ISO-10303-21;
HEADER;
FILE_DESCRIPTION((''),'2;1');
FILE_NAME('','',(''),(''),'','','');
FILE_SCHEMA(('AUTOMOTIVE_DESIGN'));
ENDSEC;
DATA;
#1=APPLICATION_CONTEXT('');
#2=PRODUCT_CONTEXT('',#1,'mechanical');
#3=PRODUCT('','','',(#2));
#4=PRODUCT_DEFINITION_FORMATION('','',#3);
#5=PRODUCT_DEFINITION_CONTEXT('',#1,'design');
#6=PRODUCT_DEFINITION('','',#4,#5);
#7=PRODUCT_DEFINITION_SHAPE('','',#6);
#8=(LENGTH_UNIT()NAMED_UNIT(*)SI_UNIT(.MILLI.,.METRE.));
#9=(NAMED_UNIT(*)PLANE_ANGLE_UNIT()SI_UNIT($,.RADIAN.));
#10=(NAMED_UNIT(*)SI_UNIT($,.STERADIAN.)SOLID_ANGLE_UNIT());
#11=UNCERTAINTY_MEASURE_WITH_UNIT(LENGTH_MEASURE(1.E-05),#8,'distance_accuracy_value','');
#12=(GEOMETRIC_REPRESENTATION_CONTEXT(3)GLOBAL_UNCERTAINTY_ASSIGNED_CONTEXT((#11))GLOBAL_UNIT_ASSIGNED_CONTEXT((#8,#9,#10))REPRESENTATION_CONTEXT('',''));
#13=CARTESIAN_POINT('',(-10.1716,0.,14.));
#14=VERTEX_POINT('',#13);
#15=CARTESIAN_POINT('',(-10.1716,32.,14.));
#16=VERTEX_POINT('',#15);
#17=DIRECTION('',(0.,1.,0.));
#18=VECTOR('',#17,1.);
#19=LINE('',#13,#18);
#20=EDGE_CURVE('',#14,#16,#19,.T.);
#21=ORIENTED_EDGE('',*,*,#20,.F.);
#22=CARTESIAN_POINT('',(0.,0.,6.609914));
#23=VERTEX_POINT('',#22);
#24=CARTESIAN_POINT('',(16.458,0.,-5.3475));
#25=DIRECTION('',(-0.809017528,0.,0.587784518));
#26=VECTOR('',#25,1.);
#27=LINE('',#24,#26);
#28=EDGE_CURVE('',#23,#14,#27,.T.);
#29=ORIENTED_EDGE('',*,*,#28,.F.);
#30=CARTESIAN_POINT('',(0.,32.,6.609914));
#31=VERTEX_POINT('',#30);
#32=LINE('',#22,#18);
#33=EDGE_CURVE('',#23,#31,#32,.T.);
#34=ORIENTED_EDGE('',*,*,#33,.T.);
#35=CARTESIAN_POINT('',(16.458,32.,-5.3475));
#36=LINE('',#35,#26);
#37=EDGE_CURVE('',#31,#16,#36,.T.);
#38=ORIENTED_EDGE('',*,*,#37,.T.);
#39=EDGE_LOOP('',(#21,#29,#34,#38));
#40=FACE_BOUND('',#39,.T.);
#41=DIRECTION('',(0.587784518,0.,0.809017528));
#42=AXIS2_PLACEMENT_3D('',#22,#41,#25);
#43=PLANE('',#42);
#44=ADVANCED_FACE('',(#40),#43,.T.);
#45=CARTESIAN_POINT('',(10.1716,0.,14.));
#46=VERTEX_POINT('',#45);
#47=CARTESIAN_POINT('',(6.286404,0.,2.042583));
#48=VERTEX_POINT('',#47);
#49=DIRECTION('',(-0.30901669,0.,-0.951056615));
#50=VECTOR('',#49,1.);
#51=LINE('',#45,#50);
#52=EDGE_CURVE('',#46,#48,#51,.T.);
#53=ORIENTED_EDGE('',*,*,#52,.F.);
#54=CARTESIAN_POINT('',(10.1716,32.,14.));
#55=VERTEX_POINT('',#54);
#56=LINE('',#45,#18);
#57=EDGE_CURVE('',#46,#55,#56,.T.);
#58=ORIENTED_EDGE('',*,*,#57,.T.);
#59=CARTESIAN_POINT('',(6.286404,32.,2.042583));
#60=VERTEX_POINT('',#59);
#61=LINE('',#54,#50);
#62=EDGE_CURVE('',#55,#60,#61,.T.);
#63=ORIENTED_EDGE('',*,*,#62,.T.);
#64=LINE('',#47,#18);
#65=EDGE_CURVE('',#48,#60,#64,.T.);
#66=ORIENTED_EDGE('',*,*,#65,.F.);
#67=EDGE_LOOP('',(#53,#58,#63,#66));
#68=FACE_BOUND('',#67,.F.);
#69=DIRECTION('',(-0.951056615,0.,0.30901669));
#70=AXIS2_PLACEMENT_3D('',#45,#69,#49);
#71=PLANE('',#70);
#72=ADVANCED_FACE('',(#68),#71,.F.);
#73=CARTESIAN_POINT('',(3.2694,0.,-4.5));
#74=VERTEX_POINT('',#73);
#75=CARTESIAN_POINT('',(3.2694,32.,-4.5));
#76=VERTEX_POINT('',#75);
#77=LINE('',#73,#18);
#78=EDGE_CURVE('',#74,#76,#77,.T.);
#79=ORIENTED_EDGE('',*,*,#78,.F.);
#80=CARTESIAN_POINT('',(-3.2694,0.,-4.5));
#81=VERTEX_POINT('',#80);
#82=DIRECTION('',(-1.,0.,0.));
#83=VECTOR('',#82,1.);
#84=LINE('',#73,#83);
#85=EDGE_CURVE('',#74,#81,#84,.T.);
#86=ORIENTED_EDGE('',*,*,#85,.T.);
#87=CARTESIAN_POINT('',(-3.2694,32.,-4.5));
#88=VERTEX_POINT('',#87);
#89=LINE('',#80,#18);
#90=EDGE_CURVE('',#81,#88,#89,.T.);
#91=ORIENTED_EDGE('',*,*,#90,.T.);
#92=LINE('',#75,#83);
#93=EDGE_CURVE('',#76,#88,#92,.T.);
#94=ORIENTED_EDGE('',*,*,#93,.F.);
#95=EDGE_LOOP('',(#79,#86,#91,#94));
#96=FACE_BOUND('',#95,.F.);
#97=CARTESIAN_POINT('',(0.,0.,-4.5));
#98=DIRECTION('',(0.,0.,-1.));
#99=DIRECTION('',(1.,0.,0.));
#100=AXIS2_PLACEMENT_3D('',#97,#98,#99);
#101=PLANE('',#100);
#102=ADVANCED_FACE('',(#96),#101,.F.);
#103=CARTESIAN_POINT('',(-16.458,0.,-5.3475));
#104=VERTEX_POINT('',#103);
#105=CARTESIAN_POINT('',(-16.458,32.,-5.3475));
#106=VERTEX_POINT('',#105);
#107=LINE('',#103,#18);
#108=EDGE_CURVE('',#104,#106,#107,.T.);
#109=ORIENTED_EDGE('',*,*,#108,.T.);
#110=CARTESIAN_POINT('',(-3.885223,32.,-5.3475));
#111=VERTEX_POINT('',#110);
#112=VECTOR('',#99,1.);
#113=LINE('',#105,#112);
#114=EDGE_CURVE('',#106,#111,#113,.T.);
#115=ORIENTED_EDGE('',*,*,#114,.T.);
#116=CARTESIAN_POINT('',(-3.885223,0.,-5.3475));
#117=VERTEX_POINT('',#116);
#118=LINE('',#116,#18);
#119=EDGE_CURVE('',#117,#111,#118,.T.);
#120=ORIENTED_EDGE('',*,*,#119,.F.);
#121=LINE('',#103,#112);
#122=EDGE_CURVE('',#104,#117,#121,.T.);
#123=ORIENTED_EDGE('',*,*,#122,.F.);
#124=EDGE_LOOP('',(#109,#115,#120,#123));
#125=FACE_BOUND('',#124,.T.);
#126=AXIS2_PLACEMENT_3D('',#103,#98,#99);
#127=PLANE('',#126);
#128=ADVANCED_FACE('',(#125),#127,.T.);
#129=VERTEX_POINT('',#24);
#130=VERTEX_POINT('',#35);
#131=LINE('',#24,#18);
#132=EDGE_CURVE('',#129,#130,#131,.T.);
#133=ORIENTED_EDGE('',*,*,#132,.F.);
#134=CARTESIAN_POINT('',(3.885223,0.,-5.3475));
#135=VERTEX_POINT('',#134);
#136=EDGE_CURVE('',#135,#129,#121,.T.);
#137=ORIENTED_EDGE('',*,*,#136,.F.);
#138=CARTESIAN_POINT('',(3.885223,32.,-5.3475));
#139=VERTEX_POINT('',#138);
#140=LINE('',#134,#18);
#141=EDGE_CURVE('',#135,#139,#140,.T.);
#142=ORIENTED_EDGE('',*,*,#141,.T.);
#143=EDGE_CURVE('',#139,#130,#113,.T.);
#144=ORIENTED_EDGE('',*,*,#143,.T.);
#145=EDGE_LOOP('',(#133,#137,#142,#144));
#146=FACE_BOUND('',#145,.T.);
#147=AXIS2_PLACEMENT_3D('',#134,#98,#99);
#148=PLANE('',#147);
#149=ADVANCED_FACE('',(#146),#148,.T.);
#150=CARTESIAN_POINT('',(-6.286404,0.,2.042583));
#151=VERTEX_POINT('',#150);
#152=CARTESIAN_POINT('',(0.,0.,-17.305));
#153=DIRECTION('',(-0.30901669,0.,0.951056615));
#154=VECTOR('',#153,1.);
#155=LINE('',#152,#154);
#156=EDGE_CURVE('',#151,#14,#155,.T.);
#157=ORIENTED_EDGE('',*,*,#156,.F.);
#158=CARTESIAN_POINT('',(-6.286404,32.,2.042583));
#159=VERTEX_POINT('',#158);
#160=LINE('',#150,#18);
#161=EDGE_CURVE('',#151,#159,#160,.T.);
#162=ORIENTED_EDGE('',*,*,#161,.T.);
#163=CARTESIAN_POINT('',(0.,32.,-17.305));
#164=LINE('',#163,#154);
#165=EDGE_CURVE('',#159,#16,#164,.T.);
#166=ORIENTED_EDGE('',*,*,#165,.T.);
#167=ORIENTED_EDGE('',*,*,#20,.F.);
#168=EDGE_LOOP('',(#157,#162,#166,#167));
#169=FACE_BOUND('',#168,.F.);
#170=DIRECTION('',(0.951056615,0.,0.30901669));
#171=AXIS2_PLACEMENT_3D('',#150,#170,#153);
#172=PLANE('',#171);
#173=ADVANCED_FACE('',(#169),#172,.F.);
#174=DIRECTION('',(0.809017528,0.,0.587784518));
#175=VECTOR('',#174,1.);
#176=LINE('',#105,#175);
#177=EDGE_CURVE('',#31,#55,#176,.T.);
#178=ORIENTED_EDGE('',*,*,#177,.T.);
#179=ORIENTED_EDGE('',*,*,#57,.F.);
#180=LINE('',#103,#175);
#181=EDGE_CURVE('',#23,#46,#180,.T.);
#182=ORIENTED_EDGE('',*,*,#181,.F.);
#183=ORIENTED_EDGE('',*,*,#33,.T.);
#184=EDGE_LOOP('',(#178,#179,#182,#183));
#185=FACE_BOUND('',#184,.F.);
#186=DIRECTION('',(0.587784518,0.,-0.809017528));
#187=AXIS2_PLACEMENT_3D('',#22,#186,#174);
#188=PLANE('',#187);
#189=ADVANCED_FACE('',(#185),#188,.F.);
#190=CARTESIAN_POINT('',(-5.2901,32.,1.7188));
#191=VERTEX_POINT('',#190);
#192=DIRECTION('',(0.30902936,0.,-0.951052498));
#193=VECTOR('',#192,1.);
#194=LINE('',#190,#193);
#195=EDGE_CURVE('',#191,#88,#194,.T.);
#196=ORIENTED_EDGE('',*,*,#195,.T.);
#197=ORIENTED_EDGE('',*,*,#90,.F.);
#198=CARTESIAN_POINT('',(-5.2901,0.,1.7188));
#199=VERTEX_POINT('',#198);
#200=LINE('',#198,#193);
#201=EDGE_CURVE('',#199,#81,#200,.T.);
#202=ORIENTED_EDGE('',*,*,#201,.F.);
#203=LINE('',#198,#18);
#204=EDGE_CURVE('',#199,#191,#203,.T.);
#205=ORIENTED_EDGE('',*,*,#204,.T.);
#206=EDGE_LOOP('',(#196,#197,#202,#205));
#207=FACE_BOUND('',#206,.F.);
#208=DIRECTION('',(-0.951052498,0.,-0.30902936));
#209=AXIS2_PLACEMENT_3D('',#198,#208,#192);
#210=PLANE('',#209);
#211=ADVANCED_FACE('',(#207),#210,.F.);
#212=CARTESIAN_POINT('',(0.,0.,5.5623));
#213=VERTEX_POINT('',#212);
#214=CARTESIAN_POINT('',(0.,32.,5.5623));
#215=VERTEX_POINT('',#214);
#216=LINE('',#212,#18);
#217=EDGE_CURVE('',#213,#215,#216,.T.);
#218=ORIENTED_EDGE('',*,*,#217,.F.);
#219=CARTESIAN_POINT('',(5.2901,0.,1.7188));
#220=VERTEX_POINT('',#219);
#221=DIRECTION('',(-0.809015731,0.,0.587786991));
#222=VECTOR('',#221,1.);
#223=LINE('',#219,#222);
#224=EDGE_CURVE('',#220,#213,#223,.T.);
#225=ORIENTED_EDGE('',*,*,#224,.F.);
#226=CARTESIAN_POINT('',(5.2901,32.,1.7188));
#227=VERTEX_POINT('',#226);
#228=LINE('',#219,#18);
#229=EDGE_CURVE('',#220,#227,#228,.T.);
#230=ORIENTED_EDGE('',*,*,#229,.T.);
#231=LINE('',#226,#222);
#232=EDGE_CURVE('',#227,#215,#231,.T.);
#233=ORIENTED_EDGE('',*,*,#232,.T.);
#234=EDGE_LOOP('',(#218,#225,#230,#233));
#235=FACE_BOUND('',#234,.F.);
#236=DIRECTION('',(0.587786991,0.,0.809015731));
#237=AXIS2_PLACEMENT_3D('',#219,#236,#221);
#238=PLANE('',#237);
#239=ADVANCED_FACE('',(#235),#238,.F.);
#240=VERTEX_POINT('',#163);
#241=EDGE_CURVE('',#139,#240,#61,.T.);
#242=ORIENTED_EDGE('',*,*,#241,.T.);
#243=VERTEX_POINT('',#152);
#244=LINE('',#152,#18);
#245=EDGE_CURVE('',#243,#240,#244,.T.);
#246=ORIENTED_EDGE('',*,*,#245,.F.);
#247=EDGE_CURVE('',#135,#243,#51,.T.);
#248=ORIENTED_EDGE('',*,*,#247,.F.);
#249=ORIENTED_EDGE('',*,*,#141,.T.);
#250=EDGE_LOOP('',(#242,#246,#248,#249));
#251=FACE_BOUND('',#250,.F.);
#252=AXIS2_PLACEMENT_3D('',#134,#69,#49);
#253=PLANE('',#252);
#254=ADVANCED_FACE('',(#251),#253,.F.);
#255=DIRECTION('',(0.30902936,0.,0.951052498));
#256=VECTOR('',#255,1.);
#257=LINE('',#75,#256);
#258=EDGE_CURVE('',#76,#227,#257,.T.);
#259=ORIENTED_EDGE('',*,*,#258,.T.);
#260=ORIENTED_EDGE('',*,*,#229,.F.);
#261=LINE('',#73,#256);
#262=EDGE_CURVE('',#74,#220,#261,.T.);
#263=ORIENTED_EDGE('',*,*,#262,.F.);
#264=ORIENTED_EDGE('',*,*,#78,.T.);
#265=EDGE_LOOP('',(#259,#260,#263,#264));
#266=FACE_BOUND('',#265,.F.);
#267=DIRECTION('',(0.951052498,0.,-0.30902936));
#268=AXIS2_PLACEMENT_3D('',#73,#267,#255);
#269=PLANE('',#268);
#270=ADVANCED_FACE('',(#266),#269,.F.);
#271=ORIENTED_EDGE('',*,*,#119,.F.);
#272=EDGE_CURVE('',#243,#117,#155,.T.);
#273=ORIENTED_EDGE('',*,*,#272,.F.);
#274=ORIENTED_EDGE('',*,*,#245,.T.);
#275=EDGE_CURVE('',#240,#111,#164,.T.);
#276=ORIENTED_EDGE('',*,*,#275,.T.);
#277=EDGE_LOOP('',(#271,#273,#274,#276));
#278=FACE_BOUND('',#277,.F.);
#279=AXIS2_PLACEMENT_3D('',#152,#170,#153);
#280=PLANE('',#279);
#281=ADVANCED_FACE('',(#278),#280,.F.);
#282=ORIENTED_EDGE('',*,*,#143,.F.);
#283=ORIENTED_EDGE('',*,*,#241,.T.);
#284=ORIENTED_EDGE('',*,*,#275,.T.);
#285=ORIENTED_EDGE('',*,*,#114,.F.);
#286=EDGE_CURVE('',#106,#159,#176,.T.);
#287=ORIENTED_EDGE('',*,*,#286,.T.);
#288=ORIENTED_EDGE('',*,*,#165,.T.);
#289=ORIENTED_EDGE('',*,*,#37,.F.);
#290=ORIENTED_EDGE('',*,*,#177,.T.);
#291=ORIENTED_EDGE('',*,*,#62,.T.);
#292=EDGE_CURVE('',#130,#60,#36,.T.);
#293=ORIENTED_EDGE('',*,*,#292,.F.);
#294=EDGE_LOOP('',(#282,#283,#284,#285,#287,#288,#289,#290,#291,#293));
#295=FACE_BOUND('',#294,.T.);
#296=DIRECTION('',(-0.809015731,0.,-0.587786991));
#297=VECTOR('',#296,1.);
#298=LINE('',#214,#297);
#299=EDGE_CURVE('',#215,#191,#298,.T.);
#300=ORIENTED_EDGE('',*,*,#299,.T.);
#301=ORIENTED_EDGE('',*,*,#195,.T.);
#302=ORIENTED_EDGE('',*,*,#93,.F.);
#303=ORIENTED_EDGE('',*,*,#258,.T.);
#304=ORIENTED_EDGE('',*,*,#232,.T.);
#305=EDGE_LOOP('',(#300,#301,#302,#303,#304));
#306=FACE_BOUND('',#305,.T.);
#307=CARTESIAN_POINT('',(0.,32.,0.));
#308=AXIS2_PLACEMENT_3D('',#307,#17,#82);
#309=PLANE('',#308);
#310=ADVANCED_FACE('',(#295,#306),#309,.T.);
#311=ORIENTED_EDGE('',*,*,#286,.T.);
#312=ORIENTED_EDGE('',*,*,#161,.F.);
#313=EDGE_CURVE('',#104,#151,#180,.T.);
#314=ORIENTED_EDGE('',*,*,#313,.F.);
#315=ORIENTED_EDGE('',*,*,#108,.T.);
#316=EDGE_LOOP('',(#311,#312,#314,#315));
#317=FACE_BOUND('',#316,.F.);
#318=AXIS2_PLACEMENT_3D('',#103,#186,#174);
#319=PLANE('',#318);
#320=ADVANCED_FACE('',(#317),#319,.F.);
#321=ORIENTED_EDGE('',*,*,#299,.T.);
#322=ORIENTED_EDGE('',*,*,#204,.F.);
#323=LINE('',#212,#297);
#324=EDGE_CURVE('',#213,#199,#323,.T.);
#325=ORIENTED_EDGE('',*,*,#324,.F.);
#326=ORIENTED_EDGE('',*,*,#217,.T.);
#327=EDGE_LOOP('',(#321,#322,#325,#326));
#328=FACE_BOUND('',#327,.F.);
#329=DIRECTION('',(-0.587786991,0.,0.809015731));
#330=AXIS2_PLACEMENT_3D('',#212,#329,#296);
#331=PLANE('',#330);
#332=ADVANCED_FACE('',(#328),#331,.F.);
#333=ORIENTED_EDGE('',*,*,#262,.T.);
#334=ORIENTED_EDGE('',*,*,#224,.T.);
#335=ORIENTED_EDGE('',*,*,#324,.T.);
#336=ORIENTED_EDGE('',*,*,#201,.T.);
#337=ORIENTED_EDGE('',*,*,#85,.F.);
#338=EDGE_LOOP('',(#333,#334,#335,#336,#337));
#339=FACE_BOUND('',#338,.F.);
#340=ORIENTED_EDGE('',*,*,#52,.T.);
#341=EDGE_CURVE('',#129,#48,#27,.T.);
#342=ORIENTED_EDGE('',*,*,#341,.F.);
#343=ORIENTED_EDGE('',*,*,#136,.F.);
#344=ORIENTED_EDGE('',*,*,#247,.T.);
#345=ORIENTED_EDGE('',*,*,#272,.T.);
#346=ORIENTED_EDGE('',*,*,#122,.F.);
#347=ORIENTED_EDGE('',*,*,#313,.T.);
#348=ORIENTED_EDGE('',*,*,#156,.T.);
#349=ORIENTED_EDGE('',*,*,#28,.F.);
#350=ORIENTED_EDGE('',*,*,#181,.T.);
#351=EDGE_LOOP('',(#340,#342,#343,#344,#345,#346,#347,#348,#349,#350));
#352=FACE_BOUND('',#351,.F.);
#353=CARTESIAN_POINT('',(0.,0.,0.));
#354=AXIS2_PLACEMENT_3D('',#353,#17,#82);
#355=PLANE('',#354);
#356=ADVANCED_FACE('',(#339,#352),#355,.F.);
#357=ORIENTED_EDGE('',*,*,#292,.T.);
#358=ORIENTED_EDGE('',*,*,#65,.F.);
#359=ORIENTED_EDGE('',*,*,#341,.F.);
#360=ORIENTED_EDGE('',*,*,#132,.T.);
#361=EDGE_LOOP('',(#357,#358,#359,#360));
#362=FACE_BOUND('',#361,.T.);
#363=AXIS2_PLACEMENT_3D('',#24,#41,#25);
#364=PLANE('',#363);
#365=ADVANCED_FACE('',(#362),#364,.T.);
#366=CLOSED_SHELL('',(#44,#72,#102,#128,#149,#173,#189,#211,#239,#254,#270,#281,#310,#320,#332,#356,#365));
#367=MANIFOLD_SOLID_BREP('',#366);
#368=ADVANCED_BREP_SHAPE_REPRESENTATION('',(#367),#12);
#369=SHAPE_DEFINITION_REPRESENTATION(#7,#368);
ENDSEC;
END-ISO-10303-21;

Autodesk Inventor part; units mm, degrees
ref_plane "YZ Plane" through (0, 0, 0) normal (1, 0, 0) x (0, 1, 0)
ref_plane "XZ Plane" through (0, 0, 0) normal (0, 1, 0) x (-1, 0, 0)
ref_plane "XY Plane" through (0, 0, 0) normal (0, 0, 1) x (1, 0, 0)
sketch "Sketch1" plane through (0, 0, 0) normal (0, 1, 0) x (-1, 0, 0)
  line L0 (0, 0) -> (0, 14)
  line L1 (10.1716, 14) -> (16.458, -5.3475)
  line L2 (16.458, -5.3475) -> (0, -17.305)
  line L3 (0, -17.305) -> (-16.458, -5.3475)
  line L4 (-16.458, -5.3475) -> (-10.1716, 14)
  line L5 (-10.1716, 14) -> (10.1716, 14)
  line L6 (0, -17.305) -> (10.1716, 14)
  line L7 (-10.1716, 14) -> (0, -17.305)
  line L8 (16.458, -5.3475) -> (-16.458, -5.3475)
  line L9 (-16.458, -5.3475) -> (10.1716, 14)
  line L10 (16.458, -5.3475) -> (-10.1716, 14)
  line L11 (0, 0) -> (0, -4.5)
  line L12 (-3.2694, -4.5) -> (-5.2901, 1.7188)
  line L13 (-5.2901, 1.7188) -> (0, 5.5623)
  line L14 (0, 5.5623) -> (5.2901, 1.7188)
  line L15 (5.2901, 1.7188) -> (3.2694, -4.5)
  line L16 (3.2694, -4.5) -> (-3.2694, -4.5)
  point P0 (-3.8852, -5.3475)
  point P1 (3.8852, -5.3475)
  point P2 (6.2864, 2.0426)
  point P3 (0, 6.6099)
  point P4 (-6.2864, 2.0426)
  dimension "d0" = 14
  dimension "d3" = 4.5
extrude "Extrusion2" add sketch "Sketch1" along normal blind 32 contours L10 L6 L8 L7 L9 | L9 L7 L10 | L9 L6 L10 | L7 L8 L9 | L10 L8 L6 | L8 L6 L7
properties part number "Star"
